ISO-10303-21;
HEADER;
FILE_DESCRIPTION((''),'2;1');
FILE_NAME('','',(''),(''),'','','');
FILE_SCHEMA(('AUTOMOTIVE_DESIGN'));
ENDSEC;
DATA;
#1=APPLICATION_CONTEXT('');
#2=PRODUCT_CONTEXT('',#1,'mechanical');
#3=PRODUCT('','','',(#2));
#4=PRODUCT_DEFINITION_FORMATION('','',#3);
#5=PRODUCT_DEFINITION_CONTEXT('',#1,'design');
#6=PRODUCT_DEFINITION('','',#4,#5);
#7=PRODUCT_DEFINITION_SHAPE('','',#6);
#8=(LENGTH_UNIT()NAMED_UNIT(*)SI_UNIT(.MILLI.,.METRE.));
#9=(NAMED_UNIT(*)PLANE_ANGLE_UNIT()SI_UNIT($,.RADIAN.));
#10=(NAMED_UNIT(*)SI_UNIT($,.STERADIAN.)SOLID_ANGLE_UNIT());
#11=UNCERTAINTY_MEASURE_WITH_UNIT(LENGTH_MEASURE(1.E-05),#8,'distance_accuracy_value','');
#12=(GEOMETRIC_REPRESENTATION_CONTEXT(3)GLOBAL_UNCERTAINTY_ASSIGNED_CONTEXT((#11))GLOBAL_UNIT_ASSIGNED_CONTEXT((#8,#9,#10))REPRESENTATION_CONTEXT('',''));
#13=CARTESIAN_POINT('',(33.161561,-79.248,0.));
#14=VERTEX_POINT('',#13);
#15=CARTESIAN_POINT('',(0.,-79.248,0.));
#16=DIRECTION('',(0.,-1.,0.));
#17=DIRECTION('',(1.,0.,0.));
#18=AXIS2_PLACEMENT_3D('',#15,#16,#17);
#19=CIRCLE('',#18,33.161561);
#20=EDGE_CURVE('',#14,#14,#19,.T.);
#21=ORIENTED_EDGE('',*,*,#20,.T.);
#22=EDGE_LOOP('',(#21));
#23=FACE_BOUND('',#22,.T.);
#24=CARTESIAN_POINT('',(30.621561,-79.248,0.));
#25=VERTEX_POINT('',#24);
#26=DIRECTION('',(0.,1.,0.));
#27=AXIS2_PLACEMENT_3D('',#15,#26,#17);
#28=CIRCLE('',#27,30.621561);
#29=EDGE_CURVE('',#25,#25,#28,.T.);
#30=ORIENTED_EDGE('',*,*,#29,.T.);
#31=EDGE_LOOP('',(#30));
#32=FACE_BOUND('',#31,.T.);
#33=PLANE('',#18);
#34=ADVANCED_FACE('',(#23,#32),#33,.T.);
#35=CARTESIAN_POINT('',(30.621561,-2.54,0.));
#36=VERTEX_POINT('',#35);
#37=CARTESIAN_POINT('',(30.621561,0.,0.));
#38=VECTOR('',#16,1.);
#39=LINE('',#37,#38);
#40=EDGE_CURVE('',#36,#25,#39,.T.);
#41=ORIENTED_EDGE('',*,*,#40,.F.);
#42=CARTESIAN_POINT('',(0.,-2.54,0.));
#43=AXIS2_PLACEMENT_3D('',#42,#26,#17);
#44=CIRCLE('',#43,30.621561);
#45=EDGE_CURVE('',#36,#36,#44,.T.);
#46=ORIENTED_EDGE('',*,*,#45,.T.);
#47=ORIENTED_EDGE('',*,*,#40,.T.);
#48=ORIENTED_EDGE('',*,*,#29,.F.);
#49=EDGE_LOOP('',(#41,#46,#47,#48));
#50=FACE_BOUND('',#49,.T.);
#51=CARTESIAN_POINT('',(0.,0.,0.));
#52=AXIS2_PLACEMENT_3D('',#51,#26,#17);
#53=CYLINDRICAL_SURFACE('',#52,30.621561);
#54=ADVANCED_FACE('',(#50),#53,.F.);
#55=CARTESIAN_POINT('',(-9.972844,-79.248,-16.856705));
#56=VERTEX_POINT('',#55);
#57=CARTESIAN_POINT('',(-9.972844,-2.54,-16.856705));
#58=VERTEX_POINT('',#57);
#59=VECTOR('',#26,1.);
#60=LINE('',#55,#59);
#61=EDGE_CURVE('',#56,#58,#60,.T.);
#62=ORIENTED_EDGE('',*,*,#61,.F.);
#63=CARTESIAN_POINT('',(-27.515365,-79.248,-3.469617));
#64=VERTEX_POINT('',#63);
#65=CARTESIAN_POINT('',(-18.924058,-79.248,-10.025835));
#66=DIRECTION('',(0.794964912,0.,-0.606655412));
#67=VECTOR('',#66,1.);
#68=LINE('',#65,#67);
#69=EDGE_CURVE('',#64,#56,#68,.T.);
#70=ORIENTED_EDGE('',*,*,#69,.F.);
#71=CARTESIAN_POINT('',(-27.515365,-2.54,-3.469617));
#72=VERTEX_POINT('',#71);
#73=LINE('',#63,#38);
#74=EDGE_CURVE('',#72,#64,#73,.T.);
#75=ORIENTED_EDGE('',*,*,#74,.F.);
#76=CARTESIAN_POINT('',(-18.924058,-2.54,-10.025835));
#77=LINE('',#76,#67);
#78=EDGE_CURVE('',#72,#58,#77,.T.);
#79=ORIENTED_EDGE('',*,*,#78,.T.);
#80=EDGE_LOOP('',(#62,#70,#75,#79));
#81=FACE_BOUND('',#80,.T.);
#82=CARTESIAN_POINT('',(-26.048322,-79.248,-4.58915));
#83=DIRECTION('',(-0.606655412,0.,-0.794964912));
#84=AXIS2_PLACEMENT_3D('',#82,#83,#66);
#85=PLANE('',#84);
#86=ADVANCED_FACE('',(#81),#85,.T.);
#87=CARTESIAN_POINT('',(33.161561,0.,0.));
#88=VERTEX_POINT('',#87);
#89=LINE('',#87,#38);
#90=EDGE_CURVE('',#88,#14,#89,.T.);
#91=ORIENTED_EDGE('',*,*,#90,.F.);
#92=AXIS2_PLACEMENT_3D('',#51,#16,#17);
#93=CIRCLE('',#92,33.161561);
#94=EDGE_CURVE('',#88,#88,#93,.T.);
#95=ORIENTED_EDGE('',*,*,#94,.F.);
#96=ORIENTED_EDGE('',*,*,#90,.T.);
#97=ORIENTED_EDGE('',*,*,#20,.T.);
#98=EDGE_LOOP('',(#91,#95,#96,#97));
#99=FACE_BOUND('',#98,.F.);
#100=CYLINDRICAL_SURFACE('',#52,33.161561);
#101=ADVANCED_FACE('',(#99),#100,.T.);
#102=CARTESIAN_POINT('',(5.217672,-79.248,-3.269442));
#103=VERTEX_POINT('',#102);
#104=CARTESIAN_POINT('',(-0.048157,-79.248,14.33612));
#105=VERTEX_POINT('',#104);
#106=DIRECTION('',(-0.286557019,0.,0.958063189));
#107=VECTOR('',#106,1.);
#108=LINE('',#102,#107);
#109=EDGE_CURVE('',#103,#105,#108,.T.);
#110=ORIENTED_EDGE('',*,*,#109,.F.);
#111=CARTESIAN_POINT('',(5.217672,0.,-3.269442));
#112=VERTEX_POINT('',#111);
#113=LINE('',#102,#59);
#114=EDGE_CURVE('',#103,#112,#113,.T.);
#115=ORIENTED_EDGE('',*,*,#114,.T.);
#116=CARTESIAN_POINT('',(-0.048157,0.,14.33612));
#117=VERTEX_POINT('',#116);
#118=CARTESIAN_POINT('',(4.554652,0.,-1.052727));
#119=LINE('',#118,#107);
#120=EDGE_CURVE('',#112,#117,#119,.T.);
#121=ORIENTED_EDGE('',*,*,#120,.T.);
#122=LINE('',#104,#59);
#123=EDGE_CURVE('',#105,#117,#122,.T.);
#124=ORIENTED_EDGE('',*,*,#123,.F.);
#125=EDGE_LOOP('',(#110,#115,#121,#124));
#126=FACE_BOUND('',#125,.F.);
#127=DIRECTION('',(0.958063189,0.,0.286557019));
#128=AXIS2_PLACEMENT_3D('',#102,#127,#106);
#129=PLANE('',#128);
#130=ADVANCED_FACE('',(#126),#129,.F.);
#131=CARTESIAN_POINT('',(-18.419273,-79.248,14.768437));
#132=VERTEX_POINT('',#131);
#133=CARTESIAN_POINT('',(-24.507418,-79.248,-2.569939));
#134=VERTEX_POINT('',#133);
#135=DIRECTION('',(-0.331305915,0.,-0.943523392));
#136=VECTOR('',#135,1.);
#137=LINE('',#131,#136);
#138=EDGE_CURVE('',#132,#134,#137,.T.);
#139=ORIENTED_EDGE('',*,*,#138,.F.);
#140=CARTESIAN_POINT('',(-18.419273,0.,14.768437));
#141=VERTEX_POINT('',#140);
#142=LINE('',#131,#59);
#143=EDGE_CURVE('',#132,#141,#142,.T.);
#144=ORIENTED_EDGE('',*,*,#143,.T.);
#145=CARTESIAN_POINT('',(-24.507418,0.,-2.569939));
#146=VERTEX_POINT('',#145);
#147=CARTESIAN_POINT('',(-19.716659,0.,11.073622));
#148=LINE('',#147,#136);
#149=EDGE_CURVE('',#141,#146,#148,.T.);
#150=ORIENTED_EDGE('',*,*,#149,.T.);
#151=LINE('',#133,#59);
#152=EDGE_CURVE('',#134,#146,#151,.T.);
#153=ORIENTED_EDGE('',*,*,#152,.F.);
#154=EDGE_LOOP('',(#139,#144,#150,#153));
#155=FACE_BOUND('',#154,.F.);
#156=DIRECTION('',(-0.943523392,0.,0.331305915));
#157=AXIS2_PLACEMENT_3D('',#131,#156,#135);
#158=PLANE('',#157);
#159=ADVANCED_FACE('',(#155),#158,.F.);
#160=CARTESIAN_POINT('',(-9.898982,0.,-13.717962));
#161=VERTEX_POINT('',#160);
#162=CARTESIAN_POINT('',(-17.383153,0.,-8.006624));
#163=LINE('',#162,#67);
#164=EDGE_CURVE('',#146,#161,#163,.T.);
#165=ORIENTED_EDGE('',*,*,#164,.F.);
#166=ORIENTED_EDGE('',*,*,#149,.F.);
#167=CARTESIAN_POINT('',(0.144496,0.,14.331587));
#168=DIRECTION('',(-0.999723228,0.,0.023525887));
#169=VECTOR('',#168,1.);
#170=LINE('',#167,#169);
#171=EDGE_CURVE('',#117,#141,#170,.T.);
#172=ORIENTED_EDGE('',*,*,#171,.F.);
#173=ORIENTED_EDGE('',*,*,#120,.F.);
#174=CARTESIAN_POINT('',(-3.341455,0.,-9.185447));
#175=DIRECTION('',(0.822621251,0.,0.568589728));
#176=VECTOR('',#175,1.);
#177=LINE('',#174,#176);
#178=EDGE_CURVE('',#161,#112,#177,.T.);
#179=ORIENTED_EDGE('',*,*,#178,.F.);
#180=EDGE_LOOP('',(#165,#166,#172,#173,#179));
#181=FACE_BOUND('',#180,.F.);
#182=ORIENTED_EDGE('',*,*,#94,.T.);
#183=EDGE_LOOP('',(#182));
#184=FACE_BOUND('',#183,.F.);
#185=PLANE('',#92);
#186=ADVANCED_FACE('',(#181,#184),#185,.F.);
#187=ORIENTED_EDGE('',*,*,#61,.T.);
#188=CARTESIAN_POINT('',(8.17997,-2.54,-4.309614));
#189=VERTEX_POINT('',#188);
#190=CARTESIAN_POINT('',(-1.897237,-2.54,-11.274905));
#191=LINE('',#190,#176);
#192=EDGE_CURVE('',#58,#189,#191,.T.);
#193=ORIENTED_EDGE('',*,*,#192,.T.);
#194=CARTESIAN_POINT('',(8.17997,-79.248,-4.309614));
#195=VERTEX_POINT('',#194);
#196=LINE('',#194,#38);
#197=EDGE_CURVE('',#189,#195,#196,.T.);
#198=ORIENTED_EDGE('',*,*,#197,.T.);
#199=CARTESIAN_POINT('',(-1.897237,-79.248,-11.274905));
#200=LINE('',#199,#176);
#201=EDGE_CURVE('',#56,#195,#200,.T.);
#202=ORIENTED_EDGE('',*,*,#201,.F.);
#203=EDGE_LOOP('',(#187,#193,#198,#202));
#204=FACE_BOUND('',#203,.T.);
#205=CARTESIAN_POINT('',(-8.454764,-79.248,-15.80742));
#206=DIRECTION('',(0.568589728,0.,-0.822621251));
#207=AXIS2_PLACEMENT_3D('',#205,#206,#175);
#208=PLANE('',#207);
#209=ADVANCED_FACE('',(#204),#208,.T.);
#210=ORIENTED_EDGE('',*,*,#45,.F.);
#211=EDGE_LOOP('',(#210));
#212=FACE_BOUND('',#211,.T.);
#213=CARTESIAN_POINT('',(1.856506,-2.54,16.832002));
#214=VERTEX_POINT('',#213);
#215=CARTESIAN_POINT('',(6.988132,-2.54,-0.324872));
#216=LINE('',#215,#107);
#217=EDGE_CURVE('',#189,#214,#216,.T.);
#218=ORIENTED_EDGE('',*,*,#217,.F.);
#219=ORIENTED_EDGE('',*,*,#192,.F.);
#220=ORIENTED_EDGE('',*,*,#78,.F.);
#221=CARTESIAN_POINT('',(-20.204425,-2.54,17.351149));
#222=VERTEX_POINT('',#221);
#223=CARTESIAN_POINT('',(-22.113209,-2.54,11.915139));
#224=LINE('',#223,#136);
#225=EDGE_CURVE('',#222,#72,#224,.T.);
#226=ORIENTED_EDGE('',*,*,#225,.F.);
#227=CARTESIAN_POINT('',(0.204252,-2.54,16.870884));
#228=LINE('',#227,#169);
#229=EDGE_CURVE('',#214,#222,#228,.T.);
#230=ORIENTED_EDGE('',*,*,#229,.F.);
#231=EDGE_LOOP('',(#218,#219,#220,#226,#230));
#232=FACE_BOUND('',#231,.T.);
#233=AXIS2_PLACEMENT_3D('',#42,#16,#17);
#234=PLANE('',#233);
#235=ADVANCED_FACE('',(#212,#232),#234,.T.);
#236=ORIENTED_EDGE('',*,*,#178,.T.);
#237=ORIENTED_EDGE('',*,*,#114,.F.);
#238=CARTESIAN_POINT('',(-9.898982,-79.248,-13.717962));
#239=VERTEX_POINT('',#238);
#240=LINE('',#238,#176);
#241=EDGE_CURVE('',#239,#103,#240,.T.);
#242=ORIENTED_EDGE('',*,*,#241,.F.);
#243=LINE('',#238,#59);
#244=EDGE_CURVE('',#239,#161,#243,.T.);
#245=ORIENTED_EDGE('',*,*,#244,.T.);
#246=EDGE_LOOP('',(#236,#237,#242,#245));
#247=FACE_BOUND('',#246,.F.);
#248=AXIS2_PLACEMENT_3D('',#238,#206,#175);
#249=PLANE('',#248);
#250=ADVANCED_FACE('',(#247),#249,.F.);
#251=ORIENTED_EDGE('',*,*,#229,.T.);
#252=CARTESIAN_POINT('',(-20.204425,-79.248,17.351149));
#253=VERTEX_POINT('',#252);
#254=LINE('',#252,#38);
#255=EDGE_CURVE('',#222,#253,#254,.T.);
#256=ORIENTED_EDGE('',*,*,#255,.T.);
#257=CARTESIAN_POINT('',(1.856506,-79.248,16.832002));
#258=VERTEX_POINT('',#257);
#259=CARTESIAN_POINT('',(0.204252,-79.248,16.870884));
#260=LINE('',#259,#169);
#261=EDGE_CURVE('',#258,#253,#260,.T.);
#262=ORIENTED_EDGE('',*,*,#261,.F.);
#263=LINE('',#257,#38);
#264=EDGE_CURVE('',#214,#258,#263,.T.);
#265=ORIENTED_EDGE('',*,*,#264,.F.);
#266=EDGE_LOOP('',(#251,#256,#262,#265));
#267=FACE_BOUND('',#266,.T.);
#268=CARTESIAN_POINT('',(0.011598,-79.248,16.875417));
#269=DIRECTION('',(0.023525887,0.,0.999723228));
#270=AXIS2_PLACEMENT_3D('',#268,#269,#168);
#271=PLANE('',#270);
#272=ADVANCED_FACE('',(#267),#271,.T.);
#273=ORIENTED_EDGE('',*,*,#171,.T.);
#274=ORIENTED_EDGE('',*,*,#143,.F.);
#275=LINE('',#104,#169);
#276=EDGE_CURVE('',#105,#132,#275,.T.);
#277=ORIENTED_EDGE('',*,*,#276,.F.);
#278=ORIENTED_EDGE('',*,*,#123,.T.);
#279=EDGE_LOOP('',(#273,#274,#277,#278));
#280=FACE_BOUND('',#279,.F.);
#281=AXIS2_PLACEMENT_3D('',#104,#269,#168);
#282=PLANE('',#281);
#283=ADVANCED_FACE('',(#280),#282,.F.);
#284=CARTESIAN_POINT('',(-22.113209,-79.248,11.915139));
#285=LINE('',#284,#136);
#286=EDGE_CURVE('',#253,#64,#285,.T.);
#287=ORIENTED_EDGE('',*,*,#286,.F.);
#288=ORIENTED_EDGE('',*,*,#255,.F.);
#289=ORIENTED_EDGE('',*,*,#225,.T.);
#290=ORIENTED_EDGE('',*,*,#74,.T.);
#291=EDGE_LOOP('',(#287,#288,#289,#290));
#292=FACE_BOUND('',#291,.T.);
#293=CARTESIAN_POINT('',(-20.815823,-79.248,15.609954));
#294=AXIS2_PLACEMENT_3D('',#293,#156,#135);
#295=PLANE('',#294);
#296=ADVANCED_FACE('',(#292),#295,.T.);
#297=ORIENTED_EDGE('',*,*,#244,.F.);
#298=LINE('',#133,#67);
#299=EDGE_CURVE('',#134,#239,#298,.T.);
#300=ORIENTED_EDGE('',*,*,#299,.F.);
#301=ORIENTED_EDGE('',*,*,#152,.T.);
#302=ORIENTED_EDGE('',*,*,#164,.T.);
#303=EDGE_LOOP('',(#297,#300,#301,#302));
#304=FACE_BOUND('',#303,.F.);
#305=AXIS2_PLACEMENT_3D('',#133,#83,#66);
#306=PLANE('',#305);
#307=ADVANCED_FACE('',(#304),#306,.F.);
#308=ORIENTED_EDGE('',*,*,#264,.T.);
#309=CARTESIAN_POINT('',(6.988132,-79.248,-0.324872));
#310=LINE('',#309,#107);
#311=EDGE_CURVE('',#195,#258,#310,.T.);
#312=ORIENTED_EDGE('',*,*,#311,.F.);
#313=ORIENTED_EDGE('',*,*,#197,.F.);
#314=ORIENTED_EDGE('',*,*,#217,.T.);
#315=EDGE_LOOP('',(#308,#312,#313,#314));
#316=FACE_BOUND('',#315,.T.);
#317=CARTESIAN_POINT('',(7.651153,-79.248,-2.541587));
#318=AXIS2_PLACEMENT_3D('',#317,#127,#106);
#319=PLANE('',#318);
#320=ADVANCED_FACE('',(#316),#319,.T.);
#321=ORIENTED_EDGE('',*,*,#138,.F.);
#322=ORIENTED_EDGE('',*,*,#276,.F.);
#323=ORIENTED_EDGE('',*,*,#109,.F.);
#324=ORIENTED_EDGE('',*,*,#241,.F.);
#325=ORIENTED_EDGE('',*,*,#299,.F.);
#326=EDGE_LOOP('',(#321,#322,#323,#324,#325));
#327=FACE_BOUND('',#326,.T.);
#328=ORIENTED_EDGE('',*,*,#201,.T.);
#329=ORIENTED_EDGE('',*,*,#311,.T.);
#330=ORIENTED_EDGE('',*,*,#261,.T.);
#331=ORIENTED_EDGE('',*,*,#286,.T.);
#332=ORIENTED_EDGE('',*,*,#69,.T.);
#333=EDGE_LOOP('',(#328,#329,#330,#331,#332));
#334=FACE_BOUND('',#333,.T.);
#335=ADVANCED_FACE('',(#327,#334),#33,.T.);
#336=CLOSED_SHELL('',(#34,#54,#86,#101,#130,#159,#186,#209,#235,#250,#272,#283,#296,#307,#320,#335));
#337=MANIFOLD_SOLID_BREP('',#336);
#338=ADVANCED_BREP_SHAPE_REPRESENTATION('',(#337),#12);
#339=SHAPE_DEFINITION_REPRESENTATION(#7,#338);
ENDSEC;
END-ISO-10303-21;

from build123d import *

# Parameters (mm, degrees)
F0_R     = 33.1615614797
F1_DEPTH = 79.248
F3_DEPTH = 111.252
F4_T     = -2.54


with BuildPart() as f1:
    # F0 (on Front) → F1 (new body)
    with BuildSketch(Plane.XZ):
        Circle(F0_R)
    extrude(amount=F1_DEPTH)

    # F2 (on face) → F3 (cut)
    with BuildSketch(Plane.XZ.offset(79.248)):
        Polygon((-9.8989819324, -13.7179617404), (5.2176722472, -3.2694421143), (-0.0481573892, 14.3361204783), (-18.4192732631, 14.7684369255), (-24.507417648, -2.5699394088), align=None)
    extrude(amount=-F3_DEPTH, mode=Mode.SUBTRACT)

    # F4
    f4_openings = [f1.faces().sort_by_distance(p)[0] for p in [
        (-32.223611, -79.248, 0),
    ]]
    offset(amount=F4_T, openings=f4_openings, kind=Kind.INTERSECTION)


solid = f1.part
